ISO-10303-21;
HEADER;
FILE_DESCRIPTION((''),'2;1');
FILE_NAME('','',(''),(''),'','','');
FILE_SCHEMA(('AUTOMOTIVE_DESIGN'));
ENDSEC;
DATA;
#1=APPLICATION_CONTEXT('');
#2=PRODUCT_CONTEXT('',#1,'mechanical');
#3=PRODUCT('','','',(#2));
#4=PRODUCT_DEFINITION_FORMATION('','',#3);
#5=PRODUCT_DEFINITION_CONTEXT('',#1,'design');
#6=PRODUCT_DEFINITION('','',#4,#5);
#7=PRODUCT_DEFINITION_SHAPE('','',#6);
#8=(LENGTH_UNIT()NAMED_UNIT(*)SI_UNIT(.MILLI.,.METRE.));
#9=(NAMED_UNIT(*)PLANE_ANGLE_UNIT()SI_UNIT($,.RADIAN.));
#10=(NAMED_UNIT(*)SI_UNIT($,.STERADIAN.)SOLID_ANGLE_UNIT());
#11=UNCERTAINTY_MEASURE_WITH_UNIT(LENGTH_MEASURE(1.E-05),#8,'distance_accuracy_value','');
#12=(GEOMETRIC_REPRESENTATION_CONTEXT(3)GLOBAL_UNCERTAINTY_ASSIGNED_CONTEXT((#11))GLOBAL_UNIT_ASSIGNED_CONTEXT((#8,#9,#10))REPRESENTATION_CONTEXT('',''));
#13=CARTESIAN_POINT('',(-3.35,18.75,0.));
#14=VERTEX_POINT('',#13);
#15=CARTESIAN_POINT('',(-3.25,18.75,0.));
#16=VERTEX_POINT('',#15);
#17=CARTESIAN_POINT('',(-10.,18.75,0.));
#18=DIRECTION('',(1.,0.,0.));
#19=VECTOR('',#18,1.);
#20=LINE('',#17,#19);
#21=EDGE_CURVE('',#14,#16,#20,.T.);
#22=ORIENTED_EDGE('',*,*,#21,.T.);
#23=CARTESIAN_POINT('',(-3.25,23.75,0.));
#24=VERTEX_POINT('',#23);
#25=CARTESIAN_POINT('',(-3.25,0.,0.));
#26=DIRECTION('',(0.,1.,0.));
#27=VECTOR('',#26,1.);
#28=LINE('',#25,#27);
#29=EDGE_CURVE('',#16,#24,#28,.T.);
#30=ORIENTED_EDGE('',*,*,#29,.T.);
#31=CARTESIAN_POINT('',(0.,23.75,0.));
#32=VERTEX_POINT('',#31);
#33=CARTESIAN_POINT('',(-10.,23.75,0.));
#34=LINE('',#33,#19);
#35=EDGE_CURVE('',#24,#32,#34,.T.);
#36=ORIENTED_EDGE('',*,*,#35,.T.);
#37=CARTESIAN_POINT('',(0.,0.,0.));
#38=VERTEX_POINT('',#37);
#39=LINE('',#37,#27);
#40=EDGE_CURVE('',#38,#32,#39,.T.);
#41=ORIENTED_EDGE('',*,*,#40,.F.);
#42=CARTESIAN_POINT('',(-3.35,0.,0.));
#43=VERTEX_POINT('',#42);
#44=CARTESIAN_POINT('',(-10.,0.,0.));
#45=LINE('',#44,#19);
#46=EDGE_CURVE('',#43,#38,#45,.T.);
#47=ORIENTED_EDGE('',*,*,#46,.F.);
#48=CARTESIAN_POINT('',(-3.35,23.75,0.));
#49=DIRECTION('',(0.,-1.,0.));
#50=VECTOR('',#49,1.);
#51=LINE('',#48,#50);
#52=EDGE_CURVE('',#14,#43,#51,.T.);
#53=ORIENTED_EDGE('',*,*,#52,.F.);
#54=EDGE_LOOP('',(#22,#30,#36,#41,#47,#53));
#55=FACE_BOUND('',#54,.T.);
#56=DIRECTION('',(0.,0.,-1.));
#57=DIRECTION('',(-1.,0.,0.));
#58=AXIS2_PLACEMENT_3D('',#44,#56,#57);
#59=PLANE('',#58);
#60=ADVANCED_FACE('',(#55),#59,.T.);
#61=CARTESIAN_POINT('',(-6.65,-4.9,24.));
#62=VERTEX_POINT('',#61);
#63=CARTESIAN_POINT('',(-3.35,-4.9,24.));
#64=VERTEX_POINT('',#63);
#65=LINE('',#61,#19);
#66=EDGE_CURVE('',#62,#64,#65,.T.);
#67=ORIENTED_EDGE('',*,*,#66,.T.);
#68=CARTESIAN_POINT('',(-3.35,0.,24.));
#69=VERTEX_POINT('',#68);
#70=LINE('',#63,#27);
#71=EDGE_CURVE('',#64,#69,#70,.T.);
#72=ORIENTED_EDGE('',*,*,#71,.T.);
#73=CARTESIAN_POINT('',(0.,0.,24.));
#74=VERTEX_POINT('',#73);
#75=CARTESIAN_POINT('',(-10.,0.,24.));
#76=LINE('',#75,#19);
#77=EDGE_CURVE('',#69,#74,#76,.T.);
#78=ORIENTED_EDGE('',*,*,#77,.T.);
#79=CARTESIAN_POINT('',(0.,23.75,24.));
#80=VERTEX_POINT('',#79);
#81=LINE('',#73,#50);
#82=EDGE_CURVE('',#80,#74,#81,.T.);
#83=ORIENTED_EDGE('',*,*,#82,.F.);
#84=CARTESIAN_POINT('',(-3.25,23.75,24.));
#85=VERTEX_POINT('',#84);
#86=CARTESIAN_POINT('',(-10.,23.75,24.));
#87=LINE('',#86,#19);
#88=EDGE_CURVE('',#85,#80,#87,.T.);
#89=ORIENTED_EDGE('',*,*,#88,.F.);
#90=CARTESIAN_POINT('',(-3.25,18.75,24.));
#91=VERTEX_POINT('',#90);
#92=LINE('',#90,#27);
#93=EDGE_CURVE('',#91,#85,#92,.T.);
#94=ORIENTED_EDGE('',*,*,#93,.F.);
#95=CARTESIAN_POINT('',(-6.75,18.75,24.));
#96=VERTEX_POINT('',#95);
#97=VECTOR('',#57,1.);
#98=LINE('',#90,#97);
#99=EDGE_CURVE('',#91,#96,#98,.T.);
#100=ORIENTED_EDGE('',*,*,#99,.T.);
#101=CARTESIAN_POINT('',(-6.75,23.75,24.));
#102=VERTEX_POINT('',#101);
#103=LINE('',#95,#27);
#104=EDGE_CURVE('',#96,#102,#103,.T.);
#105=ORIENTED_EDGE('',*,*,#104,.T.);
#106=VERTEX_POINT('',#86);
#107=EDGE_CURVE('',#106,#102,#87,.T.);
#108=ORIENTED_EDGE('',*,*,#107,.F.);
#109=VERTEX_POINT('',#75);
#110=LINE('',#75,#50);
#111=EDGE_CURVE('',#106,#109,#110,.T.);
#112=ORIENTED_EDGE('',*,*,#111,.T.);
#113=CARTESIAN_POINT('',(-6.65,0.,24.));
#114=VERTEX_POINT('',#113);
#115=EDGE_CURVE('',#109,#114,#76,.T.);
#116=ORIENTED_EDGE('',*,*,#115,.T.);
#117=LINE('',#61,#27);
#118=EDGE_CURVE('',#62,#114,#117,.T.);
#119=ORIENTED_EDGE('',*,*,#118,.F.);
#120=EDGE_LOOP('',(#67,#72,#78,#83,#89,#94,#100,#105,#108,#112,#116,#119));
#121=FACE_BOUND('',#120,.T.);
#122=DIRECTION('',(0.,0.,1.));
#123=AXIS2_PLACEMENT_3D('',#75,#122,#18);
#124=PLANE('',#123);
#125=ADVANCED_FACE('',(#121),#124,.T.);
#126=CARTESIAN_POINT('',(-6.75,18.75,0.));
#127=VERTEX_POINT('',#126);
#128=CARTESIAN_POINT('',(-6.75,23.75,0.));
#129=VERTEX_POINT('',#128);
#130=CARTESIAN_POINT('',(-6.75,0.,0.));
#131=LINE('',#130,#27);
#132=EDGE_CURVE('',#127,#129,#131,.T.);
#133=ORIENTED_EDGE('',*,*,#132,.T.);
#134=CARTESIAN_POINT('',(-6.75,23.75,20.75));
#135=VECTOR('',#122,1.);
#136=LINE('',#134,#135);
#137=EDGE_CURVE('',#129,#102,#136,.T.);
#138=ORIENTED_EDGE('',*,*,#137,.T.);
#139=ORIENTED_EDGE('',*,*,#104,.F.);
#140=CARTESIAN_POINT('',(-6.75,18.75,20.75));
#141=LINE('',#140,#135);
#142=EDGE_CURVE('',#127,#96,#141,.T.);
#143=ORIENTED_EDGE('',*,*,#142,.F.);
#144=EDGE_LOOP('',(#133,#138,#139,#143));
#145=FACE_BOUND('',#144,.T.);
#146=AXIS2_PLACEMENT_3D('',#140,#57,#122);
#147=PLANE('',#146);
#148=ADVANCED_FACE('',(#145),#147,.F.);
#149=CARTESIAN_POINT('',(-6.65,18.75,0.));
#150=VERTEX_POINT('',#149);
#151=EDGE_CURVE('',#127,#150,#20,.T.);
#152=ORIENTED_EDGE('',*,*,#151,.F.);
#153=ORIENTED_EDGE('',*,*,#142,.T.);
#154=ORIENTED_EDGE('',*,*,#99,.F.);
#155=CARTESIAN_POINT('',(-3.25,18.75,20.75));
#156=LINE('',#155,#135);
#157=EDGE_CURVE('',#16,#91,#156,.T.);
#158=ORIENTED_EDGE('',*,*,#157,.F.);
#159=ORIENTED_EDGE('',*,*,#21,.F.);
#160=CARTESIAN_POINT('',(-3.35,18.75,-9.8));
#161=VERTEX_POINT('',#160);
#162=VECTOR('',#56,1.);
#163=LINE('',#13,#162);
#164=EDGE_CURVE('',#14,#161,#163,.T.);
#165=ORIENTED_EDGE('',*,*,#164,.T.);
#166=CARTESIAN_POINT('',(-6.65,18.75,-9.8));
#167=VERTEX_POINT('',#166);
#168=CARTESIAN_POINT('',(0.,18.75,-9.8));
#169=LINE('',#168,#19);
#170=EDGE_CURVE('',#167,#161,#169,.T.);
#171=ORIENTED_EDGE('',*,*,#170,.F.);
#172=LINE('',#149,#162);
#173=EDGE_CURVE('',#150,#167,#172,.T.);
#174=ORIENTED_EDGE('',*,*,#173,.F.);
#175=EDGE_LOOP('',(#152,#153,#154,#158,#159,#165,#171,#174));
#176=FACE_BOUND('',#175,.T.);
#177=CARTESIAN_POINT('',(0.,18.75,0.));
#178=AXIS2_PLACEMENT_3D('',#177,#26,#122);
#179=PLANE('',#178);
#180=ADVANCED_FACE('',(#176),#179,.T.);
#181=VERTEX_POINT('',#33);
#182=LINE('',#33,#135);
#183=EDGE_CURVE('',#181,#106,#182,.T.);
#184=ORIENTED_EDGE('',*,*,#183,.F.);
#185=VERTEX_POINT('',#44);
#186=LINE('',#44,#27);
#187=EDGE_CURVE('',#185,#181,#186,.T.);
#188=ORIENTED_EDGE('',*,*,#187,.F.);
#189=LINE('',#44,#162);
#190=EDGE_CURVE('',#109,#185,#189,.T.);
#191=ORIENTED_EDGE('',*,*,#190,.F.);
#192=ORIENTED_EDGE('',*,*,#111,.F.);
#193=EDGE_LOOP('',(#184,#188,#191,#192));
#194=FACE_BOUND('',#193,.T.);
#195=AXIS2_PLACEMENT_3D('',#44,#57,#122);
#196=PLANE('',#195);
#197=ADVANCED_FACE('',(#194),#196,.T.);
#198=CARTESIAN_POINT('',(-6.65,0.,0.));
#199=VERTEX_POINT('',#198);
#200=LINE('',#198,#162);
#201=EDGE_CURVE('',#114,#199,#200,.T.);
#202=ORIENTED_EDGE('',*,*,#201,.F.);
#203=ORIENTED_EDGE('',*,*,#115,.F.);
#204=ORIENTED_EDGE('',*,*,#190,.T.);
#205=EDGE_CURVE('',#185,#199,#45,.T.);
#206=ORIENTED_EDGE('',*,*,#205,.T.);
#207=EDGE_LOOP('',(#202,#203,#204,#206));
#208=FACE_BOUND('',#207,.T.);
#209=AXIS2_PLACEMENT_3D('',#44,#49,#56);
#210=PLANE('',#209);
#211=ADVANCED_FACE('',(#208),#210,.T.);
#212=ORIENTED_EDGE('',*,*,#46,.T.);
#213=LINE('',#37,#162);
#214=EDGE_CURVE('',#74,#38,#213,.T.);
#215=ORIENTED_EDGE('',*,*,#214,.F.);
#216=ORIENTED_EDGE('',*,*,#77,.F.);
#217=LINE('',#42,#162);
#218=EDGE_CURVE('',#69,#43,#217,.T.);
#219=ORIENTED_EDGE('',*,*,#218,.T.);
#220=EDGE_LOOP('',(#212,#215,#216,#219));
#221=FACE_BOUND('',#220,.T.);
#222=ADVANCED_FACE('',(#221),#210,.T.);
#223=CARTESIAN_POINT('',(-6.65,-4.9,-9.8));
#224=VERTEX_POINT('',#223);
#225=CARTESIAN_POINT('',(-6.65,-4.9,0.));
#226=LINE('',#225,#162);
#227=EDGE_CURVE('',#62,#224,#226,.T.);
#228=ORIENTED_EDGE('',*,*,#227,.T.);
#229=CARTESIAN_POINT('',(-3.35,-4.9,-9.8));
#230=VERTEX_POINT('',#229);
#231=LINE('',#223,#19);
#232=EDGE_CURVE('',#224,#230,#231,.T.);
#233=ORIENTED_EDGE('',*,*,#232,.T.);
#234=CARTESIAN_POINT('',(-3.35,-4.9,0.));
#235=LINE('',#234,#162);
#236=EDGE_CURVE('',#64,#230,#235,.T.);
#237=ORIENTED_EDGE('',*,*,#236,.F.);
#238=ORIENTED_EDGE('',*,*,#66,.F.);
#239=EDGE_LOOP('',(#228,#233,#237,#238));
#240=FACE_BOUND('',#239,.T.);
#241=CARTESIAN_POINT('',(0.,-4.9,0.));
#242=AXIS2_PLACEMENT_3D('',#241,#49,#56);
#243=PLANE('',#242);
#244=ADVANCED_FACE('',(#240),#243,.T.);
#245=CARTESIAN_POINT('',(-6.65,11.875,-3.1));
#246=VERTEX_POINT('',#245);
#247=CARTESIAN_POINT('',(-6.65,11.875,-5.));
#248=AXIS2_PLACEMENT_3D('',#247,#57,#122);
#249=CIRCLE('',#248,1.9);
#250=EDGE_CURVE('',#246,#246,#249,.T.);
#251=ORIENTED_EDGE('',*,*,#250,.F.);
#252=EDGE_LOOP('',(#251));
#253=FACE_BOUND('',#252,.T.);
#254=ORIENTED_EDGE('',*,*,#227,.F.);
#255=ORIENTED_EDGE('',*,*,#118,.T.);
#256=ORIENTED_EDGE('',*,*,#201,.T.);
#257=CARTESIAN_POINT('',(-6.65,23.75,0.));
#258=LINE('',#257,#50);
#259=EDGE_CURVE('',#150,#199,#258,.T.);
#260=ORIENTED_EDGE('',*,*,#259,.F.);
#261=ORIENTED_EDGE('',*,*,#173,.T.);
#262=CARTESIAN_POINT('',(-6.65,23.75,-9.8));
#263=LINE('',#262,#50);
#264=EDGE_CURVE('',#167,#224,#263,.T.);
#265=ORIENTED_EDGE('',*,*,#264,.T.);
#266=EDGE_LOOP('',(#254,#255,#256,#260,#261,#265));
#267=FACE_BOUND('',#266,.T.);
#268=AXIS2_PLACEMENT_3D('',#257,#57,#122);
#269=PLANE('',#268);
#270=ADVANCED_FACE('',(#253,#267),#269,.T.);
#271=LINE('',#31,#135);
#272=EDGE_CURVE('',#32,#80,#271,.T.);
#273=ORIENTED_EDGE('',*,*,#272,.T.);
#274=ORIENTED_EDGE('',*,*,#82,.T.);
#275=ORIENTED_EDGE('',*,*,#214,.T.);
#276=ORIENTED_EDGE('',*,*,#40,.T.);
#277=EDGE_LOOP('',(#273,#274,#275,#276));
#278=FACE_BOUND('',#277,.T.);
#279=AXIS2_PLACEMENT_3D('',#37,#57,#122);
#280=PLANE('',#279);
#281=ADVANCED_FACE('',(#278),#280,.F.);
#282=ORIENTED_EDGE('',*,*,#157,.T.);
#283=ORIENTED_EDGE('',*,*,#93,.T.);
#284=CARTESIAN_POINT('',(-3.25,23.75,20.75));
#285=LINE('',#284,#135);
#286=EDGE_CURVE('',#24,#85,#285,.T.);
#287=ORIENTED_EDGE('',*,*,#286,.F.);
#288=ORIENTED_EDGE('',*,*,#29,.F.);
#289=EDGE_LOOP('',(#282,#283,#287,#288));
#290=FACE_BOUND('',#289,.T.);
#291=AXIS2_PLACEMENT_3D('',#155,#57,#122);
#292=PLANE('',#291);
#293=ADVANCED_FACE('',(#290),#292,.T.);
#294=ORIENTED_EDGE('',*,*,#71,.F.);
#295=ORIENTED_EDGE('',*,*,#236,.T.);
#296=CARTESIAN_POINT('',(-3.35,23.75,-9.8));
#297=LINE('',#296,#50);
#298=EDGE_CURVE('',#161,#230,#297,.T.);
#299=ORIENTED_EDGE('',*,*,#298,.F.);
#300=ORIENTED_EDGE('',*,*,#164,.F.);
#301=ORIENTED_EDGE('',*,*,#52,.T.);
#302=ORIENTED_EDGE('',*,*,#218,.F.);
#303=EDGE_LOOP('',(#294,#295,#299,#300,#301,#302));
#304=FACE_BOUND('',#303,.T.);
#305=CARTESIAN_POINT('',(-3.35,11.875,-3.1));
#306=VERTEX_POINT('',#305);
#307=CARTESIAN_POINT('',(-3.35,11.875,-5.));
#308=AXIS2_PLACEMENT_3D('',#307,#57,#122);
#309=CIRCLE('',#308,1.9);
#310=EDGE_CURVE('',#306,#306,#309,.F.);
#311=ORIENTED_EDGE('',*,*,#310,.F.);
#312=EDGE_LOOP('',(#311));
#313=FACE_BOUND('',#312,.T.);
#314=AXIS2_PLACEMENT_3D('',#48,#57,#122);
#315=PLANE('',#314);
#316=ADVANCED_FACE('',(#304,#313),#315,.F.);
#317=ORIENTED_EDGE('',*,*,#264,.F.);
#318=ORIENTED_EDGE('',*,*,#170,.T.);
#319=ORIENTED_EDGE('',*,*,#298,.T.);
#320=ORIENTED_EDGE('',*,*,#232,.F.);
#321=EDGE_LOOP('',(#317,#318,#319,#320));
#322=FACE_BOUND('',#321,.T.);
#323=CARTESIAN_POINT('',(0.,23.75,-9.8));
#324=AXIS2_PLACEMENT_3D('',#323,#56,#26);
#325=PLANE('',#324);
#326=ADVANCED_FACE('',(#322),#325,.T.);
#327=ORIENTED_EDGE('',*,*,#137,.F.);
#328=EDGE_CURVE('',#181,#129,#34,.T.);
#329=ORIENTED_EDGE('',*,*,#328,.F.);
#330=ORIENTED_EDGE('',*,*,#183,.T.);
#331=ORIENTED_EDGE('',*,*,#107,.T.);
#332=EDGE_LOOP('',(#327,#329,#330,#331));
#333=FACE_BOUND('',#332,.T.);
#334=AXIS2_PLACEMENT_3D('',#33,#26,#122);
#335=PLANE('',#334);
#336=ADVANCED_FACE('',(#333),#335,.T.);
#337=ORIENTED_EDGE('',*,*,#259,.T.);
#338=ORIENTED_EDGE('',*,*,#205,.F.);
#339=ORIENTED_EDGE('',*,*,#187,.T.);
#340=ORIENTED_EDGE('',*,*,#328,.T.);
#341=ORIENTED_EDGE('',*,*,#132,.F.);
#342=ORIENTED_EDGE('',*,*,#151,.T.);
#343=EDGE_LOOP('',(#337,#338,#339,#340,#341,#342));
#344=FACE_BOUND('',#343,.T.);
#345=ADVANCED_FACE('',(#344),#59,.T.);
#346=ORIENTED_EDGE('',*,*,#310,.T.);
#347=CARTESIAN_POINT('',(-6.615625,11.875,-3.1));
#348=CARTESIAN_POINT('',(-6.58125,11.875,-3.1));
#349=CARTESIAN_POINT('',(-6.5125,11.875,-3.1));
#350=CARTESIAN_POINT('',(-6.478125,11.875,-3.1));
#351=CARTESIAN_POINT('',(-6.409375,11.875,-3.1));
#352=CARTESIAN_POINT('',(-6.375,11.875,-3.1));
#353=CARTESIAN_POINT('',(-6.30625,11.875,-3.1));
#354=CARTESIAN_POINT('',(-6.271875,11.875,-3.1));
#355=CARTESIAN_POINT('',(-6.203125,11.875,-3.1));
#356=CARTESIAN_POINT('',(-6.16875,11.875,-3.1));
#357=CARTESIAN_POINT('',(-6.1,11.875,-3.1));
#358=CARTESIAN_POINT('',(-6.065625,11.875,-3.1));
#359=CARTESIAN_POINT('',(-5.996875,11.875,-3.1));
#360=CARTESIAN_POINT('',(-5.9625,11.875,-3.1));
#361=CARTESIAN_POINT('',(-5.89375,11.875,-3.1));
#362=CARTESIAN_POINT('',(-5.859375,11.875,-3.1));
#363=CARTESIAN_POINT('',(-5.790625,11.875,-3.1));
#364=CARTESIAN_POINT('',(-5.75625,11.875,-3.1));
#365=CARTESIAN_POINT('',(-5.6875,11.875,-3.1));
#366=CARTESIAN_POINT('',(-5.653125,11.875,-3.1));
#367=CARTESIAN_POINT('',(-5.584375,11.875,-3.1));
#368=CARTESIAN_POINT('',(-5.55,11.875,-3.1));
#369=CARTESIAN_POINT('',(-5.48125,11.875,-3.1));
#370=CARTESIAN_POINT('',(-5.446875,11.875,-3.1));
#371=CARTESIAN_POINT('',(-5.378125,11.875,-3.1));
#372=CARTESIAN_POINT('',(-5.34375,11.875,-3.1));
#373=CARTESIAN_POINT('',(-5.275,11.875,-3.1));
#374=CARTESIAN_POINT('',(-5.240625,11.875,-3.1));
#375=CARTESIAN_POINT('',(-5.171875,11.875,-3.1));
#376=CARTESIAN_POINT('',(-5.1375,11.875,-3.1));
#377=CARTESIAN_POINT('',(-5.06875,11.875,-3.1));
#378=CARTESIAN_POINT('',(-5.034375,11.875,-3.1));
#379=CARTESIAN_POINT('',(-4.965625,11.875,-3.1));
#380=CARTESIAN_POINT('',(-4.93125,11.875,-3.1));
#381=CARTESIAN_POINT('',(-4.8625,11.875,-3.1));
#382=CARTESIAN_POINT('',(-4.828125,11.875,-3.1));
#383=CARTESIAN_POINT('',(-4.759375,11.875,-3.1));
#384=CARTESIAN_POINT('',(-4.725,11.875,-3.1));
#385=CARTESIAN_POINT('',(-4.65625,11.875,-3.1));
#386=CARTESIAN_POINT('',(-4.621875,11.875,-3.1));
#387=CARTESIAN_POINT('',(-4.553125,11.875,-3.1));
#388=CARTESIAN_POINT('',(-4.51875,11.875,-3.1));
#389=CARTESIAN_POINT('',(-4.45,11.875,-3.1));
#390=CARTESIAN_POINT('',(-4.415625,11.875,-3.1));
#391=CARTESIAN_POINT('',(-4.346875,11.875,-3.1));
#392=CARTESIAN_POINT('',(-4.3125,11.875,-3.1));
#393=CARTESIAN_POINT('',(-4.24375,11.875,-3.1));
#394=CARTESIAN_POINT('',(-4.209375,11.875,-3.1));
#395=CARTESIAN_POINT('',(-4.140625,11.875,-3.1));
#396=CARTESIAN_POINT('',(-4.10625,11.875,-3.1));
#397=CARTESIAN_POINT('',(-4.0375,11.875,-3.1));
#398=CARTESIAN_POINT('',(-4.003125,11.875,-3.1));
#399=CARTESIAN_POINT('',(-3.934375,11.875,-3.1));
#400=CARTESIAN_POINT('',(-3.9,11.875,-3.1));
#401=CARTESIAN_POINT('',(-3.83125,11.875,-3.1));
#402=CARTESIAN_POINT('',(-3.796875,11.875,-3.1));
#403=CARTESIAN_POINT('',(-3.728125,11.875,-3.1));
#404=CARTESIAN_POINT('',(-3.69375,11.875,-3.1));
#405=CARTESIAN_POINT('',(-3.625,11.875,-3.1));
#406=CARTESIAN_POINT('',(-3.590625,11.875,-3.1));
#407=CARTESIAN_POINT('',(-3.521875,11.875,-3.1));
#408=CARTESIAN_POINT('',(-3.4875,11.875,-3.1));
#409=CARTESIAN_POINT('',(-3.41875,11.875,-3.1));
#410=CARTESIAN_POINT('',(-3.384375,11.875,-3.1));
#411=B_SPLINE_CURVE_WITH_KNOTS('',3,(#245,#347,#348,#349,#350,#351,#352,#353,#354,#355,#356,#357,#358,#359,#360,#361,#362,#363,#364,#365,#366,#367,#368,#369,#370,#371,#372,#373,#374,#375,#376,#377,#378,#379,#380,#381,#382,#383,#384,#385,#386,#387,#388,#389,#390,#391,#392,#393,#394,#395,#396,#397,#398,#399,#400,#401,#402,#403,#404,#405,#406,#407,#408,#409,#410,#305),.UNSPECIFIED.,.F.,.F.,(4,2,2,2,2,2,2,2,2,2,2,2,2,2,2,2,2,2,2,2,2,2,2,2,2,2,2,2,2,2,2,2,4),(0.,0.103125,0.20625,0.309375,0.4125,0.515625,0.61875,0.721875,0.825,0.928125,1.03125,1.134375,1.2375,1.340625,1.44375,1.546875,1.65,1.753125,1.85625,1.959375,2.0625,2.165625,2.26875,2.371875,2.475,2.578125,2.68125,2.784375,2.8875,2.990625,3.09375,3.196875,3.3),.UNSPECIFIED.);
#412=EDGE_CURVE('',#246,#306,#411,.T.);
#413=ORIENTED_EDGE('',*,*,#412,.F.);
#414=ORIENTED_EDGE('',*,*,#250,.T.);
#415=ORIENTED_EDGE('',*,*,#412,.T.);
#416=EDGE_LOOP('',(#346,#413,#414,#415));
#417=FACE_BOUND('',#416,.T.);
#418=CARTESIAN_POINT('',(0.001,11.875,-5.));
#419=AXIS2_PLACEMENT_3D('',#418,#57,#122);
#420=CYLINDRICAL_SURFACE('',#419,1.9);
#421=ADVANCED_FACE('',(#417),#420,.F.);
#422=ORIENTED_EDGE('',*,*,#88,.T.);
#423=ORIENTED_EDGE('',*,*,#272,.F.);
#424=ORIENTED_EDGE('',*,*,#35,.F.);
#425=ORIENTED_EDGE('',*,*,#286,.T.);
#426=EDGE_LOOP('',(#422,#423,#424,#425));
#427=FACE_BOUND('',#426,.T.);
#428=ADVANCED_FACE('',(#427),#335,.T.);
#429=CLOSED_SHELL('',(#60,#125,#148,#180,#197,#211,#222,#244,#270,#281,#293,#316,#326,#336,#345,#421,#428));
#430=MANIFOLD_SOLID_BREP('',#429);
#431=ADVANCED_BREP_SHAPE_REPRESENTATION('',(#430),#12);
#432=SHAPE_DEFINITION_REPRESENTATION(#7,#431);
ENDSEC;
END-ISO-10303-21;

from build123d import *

# Parameters (mm, degrees)
SKETCH1_W           = 23.75
SKETCH1_H           = 24
BOSS_EXTRUDE1_DEPTH = 10
SKETCH2_W           = 3.3
SKETCH2_H           = 9.8
BOSS_EXTRUDE2_DEPTH = 23.75
SKETCH3_W           = 3.3
SKETCH3_H           = 17.3
SKETCH3_H_2         = 3.35
SKETCH3_H_3         = 13.15
BOSS_EXTRUDE3_DEPTH = 4.9
CUT_EXTRUDE1_REACH  = 36.413
SKETCH4_R           = 1.9
SKETCH5_W           = 3.5
SKETCH5_H           = 17.5
SKETCH5_H_2         = 3.25
SKETCH5_H_3         = 13.05
CUT_EXTRUDE2_DEPTH  = 5


with BuildPart() as part:
    # Sketch1 → Boss-Extrude1 (new body)
    with BuildSketch(Plane.YZ):
        with Locations((11.875, 12)):
            Rectangle(SKETCH1_W, SKETCH1_H)
    extrude(amount=-BOSS_EXTRUDE1_DEPTH)

    # Sketch2 → Boss-Extrude2 (add, through all)
    with BuildSketch(Plane.XZ):
        with Locations((-5, -4.9)):
            Rectangle(SKETCH2_W, SKETCH2_H)
    extrude(amount=-BOSS_EXTRUDE2_DEPTH)

    # Sketch3 → Boss-Extrude3 (add)
    with BuildSketch(Plane.XZ):
        with Locations((-5, 12)):
            Rectangle(SKETCH3_W, SKETCH3_H)
        with Locations((-5, 22.325)):
            Rectangle(SKETCH3_W, SKETCH3_H_2)
        with Locations((-5, -3.225)):
            Rectangle(SKETCH3_W, SKETCH3_H_3)
    extrude(amount=BOSS_EXTRUDE3_DEPTH)

    # Sketch4 → Cut-Extrude1 (cut, up to next)
    with BuildSketch(Plane(origin=(-6.65, 0, 0), x_dir=(0, -1, 0), z_dir=(-1, 0, 0)), mode=Mode.PRIVATE) as cut_extrude1_sk1:
        with Locations(Location((-11.875, -5, 0), (0, 0, 90))):
            Circle(SKETCH4_R)
    cut_extrude1_tool1 = extrude(cut_extrude1_sk1.sketch, amount=-CUT_EXTRUDE1_REACH, mode=Mode.PRIVATE) & part.part
    add(cut_extrude1_tool1.solids().sort_by_distance((-6.65, 11.875, -5))[0], mode=Mode.SUBTRACT)

    # Sketch5 → Cut-Extrude2 (cut)
    with BuildSketch(Plane(origin=(0, 23.75, 0), x_dir=(-1, 0, 0), z_dir=(0, 1, 0))):
        with Locations((5, 12)):
            Rectangle(SKETCH5_W, SKETCH5_H)
        with Locations((5, 22.375)):
            Rectangle(SKETCH5_W, SKETCH5_H_2)
        with Locations((5, -3.275)):
            Rectangle(SKETCH5_W, SKETCH5_H_3)
    extrude(amount=-CUT_EXTRUDE2_DEPTH, mode=Mode.SUBTRACT)


solid = part.part
